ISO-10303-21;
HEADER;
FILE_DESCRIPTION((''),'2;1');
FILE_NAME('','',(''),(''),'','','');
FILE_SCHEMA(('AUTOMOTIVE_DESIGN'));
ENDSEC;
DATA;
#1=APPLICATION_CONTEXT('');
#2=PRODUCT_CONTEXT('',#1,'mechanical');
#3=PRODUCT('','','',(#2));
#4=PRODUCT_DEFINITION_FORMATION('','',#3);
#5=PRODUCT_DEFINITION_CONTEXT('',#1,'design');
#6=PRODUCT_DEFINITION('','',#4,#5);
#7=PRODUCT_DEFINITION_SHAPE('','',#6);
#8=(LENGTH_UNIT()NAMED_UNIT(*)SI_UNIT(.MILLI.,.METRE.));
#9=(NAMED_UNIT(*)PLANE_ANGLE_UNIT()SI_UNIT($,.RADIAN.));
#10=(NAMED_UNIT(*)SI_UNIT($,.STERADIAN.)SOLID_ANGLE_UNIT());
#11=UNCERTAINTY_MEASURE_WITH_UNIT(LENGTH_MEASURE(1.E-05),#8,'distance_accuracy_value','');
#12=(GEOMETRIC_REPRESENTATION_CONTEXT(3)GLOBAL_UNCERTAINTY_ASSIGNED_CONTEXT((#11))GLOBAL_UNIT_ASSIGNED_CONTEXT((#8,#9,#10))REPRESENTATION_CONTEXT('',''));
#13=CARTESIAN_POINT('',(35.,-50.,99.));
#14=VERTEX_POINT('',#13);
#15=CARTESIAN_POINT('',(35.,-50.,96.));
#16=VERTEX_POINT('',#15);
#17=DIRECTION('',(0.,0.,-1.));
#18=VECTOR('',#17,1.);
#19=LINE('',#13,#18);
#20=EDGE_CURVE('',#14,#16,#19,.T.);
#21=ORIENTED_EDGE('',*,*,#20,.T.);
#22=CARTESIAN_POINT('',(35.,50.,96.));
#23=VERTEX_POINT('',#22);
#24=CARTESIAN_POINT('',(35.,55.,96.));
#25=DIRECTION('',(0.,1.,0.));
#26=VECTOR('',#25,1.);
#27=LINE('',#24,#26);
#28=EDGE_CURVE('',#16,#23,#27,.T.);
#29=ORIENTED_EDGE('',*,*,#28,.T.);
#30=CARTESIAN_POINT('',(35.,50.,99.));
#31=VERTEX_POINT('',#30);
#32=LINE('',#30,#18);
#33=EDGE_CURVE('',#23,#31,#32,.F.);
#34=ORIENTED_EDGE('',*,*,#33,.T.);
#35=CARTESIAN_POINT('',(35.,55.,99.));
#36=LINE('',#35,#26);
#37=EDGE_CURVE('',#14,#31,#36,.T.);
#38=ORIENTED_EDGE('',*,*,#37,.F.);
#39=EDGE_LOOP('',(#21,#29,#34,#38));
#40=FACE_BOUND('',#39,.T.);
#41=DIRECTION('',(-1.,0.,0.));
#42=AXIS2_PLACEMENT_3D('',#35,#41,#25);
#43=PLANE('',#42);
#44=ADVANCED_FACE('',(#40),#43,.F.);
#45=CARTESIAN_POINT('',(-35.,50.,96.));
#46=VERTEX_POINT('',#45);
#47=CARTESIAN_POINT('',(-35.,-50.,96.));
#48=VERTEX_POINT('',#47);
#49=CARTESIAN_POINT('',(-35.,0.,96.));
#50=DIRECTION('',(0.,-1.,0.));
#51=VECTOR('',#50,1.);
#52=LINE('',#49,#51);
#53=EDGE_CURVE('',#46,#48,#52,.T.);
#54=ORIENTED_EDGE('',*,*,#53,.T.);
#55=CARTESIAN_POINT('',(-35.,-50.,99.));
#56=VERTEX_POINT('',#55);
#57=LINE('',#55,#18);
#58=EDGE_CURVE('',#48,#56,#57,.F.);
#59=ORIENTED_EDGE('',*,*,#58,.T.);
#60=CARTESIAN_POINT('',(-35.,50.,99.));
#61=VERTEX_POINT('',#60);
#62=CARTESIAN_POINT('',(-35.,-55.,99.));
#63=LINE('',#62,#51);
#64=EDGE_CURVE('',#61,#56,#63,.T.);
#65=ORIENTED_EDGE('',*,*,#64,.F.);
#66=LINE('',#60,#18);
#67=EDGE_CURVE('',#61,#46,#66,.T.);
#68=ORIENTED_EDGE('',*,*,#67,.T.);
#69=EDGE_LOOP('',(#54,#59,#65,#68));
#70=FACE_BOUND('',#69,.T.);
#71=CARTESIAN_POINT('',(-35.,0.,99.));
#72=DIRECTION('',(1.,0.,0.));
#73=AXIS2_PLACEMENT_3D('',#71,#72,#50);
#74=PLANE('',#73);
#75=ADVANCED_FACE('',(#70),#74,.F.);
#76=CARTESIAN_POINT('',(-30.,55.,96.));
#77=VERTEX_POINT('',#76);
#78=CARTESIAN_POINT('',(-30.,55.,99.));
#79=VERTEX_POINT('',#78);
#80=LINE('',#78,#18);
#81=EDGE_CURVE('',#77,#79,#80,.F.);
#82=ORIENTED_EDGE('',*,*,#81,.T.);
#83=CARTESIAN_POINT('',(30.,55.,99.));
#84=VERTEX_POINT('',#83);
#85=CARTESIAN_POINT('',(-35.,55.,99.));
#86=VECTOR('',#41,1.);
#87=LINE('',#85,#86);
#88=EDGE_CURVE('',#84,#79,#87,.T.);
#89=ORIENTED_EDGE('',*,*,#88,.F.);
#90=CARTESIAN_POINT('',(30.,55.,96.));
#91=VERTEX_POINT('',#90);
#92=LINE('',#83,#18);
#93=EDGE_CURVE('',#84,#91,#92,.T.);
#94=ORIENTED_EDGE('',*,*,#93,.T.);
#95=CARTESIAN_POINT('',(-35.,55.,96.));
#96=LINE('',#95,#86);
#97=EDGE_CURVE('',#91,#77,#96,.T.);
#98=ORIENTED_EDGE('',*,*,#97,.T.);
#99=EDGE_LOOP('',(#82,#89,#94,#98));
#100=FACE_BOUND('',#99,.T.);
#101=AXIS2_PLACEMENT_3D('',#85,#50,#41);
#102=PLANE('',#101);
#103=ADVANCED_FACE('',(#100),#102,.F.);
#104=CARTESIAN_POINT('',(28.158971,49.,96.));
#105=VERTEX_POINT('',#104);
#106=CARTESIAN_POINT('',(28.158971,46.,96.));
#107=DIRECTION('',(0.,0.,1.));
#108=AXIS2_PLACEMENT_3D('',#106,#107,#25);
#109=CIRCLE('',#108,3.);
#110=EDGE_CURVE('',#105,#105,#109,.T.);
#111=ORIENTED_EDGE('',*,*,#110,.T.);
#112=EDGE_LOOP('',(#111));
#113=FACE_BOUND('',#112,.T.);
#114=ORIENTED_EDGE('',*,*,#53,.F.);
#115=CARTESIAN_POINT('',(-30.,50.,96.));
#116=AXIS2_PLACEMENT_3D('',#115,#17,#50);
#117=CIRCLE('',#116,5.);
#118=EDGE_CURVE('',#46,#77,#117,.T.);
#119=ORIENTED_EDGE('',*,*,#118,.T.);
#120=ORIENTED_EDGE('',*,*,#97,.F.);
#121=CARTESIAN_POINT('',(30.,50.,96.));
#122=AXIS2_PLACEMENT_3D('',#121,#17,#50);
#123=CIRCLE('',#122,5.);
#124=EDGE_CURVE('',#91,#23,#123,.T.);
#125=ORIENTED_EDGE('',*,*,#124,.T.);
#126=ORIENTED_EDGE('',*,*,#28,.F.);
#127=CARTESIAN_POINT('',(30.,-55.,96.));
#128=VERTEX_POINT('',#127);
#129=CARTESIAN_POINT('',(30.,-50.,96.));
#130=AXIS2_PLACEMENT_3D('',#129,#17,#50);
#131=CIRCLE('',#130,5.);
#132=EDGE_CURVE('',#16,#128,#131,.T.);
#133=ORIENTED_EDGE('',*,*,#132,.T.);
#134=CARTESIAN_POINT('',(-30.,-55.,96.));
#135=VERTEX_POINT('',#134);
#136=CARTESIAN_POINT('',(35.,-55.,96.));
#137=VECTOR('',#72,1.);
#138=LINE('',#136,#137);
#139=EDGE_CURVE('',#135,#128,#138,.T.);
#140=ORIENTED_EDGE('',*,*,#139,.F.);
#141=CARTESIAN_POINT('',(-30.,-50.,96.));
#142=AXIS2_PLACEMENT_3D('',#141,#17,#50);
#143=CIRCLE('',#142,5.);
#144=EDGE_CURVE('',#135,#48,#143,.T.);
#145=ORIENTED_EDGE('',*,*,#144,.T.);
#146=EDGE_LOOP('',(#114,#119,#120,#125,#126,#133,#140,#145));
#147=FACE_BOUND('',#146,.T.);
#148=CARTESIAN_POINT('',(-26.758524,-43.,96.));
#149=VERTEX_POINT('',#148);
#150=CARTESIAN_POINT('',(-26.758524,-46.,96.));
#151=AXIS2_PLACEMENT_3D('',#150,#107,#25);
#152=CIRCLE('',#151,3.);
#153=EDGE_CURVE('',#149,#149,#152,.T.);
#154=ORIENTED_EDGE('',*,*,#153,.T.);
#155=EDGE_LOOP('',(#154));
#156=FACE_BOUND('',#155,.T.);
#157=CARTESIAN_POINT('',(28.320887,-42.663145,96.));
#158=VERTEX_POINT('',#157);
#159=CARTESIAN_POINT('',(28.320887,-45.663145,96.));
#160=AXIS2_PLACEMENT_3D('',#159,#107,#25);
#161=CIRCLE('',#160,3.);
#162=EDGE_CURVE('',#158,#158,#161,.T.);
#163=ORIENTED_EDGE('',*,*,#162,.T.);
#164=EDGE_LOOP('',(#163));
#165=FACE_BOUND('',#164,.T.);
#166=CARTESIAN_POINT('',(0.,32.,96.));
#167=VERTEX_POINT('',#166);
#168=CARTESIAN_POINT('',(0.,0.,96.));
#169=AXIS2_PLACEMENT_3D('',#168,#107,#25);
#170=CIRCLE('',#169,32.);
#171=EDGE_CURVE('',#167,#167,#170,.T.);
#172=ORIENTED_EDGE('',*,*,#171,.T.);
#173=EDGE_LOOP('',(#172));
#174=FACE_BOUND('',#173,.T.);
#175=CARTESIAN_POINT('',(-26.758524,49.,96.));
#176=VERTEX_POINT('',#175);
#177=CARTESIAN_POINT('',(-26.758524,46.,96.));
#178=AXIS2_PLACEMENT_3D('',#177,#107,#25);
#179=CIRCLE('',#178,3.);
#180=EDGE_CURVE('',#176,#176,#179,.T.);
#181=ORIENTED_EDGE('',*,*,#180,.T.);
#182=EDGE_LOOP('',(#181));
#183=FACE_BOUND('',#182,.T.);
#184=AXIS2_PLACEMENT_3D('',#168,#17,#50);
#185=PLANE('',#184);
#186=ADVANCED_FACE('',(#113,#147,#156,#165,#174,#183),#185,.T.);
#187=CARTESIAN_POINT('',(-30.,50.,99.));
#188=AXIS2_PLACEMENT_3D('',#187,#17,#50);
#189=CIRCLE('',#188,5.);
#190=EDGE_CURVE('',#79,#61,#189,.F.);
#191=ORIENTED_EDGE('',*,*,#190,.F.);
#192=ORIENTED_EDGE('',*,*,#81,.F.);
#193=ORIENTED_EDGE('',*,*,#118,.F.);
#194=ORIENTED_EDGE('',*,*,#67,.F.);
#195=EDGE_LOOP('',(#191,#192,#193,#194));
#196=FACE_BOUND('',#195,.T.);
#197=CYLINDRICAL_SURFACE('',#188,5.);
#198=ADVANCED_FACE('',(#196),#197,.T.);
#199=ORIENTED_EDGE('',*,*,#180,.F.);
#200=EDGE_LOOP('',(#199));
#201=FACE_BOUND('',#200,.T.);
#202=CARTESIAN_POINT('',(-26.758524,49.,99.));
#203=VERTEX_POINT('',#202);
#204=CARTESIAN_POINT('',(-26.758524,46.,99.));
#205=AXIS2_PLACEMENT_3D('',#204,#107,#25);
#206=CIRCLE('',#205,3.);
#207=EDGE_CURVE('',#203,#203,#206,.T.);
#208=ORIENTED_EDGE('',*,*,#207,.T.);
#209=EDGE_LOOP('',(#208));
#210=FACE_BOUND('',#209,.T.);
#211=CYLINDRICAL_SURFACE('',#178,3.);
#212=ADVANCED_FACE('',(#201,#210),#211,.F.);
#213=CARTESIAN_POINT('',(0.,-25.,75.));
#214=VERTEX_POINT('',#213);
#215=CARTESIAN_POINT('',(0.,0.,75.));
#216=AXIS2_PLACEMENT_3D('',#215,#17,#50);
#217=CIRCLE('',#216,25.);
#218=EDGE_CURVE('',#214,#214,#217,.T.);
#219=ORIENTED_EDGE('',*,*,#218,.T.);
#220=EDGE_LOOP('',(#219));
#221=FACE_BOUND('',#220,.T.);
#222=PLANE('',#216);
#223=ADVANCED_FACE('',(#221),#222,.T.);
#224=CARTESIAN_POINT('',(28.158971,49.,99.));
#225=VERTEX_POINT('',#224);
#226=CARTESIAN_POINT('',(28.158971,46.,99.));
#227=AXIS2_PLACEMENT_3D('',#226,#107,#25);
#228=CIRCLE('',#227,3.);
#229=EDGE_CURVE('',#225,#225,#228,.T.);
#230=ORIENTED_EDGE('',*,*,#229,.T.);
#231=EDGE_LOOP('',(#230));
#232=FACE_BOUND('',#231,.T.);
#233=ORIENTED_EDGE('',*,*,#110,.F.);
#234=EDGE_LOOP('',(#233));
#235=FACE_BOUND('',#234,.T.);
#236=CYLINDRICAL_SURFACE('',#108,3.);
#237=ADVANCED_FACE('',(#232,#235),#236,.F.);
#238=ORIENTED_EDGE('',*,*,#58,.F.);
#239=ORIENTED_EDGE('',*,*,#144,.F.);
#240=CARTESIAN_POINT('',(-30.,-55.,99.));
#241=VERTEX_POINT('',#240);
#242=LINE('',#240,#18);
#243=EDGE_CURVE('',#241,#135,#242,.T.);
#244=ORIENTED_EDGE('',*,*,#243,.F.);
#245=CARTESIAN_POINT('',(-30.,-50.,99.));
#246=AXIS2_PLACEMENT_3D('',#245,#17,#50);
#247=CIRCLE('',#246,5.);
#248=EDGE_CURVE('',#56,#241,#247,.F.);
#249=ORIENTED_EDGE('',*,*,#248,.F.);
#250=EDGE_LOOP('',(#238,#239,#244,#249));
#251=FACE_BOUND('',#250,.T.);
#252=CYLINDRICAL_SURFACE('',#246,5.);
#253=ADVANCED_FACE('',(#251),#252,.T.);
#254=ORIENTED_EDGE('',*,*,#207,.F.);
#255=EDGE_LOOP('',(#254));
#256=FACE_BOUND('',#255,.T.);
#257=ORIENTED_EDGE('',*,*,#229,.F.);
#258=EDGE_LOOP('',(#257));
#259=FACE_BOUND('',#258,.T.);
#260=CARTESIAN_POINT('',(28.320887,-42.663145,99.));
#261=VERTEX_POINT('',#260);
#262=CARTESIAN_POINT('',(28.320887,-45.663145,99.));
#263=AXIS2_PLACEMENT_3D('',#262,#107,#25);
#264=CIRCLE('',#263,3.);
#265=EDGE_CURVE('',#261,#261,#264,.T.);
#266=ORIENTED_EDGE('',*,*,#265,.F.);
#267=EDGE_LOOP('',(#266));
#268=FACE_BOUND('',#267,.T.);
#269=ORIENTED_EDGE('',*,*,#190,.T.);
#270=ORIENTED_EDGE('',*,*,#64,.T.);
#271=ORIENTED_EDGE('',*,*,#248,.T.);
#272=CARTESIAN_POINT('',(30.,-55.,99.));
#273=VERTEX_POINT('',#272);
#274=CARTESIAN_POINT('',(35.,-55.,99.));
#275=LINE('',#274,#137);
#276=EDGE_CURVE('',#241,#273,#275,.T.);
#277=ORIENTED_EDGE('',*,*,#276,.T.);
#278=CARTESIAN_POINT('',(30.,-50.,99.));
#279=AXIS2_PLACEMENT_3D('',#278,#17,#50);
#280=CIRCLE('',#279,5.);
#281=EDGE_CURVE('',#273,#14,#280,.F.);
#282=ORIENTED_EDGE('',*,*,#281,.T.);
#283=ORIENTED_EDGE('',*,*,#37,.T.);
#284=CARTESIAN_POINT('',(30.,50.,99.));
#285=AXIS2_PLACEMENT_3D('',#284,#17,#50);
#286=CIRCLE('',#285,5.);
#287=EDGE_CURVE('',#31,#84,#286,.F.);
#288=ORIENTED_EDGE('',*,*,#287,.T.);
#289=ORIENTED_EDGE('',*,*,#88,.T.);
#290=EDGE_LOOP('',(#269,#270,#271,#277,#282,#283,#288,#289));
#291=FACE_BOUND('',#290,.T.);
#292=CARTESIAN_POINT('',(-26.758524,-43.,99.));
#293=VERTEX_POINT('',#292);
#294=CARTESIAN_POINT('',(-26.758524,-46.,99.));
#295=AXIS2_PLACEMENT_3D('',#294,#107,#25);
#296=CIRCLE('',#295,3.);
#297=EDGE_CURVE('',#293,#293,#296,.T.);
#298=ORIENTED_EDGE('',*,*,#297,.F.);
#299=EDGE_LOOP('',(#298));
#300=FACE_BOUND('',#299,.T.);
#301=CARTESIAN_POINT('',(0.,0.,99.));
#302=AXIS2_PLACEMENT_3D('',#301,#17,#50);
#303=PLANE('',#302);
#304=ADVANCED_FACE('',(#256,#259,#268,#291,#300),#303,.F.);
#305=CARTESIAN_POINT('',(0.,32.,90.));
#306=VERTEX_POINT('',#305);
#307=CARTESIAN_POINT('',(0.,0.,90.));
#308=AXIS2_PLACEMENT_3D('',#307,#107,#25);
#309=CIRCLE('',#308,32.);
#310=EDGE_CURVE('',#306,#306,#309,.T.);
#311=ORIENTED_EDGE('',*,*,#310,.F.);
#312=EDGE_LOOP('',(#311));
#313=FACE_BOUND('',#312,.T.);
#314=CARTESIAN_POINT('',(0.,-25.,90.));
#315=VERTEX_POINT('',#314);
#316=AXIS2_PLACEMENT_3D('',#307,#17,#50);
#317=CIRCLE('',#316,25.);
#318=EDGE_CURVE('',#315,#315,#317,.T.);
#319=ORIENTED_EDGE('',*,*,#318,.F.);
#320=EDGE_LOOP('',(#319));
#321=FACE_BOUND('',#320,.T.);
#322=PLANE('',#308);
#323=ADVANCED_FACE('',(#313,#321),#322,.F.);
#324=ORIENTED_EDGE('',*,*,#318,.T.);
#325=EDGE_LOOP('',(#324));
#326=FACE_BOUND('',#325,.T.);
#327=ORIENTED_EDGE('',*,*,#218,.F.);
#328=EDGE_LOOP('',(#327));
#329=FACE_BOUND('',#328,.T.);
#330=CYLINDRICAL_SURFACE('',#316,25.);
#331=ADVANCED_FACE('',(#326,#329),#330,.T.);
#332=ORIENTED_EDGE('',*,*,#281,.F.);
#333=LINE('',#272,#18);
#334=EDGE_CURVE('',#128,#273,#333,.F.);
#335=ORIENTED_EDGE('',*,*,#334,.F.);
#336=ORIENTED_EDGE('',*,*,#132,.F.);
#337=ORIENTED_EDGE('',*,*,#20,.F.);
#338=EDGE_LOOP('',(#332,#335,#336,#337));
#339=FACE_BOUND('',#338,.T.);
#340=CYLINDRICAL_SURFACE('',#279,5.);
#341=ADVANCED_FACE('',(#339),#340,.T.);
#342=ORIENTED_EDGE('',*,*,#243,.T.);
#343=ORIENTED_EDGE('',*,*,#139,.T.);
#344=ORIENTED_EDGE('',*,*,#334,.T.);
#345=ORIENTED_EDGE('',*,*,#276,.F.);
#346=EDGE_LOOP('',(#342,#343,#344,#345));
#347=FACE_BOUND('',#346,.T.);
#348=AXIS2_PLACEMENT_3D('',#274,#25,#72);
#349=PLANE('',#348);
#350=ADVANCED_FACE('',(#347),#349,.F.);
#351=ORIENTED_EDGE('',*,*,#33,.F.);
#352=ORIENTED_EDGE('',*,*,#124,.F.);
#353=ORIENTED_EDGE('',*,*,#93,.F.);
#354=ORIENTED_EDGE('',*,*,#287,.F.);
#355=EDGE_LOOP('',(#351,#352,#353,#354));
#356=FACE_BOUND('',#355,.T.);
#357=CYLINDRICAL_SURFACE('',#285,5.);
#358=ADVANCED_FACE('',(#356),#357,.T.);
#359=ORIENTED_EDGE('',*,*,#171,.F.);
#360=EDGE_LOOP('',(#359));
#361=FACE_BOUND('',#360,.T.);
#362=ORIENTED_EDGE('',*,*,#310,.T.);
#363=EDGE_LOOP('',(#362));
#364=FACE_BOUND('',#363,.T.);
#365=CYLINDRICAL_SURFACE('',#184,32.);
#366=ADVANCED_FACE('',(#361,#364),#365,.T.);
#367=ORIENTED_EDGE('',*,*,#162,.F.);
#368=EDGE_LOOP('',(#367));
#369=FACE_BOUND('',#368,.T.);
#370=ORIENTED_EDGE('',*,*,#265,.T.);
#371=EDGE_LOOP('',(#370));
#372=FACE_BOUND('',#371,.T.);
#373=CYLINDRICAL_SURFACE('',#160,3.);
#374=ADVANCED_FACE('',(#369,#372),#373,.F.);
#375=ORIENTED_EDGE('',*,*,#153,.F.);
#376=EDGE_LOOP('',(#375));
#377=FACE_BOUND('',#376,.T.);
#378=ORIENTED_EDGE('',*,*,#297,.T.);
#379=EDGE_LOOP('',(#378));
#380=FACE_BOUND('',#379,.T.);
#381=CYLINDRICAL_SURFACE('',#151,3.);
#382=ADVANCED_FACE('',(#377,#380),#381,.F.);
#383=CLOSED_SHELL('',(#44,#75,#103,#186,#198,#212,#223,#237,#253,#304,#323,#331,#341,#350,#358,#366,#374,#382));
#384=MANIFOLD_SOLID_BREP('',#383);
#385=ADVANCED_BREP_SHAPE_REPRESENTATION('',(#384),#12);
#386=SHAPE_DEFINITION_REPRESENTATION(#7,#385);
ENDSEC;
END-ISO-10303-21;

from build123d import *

# Parameters (mm, degrees)
SKETCH3_R             = 25
BOSS_EXTRUDE1_DEPTH   = 15
SKETCH4_R             = 32
BOSS_EXTRUDE2_DEPTH   = 6
BOSS_EXTRUDE3_DEPTH   = 3
FILLET1_R             = 5
FILLET2_R             = 5
SKETCH8_R             = 3
CUT_EXTRUDE1_DEPTH    = 3
BODY_MOVE_COPY1_ANGLE = 120
BODY_MOVE_COPY4_ANGLE = 90


with BuildPart() as part:
    # Sketch3 → Boss-Extrude1 (new body)
    with BuildSketch(Plane(origin=(0, 0, 0), x_dir=(1, 0, 0), z_dir=(0, 1, 0))):
        Circle(SKETCH3_R)
    extrude(amount=-BOSS_EXTRUDE1_DEPTH)

    # Sketch4 → Boss-Extrude2 (add)
    with BuildSketch(Plane.XZ.offset(15)):
        Circle(SKETCH4_R)
    extrude(amount=BOSS_EXTRUDE2_DEPTH)

    # Sketch6 → Boss-Extrude3 (add)
    with BuildSketch(Plane.XZ.offset(21)):
        Polygon((35, 0), (35, -55), (-35, -55), (-35, 55), (35, 55), align=None)
    extrude(amount=BOSS_EXTRUDE3_DEPTH)

    # Fillet1
    fillet1_edges = [part.edges().sort_by_distance(p)[0] for p in [
        (35, -22.5, 55),
    ]]
    fillet(fillet1_edges, radius=FILLET1_R)

    # Fillet2
    fillet2_edges = [part.edges().sort_by_distance(p)[0] for p in [
        (-35, -22.5, 55),
        (-35, -22.5, -55),
        (35, -22.5, -55),
    ]]
    fillet(fillet2_edges, radius=FILLET2_R)

    # Sketch8 → Cut-Extrude1 (cut)
    with BuildSketch(Plane.XZ.offset(24)):
        with Locations((26.758523595, -46)):
            Circle(SKETCH8_R)
        with Locations((-28.158970904, -46)):
            Circle(SKETCH8_R)
        with Locations((26.758523595, 46)):
            Circle(SKETCH8_R)
        with Locations((-28.320886722, 45.663145403)):
            Circle(SKETCH8_R)
    extrude(amount=-CUT_EXTRUDE1_DEPTH, mode=Mode.SUBTRACT)


with BuildPart() as part_1:
    # Body-Move/Copy1: moved
    add(part.part.rotate(Axis((0, 0, 0), (-0.5773502691896252, -0.5773502691896272, 0.5773502691896252)), BODY_MOVE_COPY1_ANGLE))


with BuildPart() as part_2:
    # Body-Move/Copy2: moved
    add(part_1.part.moved(Location((0, 0, -24))))


with BuildPart() as part_3:
    # Body-Move/Copy3: moved
    add(part_2.part.moved(Location((0, 0, 99))))


with BuildPart() as part_4:
    # Body-Move/Copy4: moved
    add(part_3.part.rotate(Axis((0, 0, 0), (0, 0, 1)), BODY_MOVE_COPY4_ANGLE))


solid = part_4.part
